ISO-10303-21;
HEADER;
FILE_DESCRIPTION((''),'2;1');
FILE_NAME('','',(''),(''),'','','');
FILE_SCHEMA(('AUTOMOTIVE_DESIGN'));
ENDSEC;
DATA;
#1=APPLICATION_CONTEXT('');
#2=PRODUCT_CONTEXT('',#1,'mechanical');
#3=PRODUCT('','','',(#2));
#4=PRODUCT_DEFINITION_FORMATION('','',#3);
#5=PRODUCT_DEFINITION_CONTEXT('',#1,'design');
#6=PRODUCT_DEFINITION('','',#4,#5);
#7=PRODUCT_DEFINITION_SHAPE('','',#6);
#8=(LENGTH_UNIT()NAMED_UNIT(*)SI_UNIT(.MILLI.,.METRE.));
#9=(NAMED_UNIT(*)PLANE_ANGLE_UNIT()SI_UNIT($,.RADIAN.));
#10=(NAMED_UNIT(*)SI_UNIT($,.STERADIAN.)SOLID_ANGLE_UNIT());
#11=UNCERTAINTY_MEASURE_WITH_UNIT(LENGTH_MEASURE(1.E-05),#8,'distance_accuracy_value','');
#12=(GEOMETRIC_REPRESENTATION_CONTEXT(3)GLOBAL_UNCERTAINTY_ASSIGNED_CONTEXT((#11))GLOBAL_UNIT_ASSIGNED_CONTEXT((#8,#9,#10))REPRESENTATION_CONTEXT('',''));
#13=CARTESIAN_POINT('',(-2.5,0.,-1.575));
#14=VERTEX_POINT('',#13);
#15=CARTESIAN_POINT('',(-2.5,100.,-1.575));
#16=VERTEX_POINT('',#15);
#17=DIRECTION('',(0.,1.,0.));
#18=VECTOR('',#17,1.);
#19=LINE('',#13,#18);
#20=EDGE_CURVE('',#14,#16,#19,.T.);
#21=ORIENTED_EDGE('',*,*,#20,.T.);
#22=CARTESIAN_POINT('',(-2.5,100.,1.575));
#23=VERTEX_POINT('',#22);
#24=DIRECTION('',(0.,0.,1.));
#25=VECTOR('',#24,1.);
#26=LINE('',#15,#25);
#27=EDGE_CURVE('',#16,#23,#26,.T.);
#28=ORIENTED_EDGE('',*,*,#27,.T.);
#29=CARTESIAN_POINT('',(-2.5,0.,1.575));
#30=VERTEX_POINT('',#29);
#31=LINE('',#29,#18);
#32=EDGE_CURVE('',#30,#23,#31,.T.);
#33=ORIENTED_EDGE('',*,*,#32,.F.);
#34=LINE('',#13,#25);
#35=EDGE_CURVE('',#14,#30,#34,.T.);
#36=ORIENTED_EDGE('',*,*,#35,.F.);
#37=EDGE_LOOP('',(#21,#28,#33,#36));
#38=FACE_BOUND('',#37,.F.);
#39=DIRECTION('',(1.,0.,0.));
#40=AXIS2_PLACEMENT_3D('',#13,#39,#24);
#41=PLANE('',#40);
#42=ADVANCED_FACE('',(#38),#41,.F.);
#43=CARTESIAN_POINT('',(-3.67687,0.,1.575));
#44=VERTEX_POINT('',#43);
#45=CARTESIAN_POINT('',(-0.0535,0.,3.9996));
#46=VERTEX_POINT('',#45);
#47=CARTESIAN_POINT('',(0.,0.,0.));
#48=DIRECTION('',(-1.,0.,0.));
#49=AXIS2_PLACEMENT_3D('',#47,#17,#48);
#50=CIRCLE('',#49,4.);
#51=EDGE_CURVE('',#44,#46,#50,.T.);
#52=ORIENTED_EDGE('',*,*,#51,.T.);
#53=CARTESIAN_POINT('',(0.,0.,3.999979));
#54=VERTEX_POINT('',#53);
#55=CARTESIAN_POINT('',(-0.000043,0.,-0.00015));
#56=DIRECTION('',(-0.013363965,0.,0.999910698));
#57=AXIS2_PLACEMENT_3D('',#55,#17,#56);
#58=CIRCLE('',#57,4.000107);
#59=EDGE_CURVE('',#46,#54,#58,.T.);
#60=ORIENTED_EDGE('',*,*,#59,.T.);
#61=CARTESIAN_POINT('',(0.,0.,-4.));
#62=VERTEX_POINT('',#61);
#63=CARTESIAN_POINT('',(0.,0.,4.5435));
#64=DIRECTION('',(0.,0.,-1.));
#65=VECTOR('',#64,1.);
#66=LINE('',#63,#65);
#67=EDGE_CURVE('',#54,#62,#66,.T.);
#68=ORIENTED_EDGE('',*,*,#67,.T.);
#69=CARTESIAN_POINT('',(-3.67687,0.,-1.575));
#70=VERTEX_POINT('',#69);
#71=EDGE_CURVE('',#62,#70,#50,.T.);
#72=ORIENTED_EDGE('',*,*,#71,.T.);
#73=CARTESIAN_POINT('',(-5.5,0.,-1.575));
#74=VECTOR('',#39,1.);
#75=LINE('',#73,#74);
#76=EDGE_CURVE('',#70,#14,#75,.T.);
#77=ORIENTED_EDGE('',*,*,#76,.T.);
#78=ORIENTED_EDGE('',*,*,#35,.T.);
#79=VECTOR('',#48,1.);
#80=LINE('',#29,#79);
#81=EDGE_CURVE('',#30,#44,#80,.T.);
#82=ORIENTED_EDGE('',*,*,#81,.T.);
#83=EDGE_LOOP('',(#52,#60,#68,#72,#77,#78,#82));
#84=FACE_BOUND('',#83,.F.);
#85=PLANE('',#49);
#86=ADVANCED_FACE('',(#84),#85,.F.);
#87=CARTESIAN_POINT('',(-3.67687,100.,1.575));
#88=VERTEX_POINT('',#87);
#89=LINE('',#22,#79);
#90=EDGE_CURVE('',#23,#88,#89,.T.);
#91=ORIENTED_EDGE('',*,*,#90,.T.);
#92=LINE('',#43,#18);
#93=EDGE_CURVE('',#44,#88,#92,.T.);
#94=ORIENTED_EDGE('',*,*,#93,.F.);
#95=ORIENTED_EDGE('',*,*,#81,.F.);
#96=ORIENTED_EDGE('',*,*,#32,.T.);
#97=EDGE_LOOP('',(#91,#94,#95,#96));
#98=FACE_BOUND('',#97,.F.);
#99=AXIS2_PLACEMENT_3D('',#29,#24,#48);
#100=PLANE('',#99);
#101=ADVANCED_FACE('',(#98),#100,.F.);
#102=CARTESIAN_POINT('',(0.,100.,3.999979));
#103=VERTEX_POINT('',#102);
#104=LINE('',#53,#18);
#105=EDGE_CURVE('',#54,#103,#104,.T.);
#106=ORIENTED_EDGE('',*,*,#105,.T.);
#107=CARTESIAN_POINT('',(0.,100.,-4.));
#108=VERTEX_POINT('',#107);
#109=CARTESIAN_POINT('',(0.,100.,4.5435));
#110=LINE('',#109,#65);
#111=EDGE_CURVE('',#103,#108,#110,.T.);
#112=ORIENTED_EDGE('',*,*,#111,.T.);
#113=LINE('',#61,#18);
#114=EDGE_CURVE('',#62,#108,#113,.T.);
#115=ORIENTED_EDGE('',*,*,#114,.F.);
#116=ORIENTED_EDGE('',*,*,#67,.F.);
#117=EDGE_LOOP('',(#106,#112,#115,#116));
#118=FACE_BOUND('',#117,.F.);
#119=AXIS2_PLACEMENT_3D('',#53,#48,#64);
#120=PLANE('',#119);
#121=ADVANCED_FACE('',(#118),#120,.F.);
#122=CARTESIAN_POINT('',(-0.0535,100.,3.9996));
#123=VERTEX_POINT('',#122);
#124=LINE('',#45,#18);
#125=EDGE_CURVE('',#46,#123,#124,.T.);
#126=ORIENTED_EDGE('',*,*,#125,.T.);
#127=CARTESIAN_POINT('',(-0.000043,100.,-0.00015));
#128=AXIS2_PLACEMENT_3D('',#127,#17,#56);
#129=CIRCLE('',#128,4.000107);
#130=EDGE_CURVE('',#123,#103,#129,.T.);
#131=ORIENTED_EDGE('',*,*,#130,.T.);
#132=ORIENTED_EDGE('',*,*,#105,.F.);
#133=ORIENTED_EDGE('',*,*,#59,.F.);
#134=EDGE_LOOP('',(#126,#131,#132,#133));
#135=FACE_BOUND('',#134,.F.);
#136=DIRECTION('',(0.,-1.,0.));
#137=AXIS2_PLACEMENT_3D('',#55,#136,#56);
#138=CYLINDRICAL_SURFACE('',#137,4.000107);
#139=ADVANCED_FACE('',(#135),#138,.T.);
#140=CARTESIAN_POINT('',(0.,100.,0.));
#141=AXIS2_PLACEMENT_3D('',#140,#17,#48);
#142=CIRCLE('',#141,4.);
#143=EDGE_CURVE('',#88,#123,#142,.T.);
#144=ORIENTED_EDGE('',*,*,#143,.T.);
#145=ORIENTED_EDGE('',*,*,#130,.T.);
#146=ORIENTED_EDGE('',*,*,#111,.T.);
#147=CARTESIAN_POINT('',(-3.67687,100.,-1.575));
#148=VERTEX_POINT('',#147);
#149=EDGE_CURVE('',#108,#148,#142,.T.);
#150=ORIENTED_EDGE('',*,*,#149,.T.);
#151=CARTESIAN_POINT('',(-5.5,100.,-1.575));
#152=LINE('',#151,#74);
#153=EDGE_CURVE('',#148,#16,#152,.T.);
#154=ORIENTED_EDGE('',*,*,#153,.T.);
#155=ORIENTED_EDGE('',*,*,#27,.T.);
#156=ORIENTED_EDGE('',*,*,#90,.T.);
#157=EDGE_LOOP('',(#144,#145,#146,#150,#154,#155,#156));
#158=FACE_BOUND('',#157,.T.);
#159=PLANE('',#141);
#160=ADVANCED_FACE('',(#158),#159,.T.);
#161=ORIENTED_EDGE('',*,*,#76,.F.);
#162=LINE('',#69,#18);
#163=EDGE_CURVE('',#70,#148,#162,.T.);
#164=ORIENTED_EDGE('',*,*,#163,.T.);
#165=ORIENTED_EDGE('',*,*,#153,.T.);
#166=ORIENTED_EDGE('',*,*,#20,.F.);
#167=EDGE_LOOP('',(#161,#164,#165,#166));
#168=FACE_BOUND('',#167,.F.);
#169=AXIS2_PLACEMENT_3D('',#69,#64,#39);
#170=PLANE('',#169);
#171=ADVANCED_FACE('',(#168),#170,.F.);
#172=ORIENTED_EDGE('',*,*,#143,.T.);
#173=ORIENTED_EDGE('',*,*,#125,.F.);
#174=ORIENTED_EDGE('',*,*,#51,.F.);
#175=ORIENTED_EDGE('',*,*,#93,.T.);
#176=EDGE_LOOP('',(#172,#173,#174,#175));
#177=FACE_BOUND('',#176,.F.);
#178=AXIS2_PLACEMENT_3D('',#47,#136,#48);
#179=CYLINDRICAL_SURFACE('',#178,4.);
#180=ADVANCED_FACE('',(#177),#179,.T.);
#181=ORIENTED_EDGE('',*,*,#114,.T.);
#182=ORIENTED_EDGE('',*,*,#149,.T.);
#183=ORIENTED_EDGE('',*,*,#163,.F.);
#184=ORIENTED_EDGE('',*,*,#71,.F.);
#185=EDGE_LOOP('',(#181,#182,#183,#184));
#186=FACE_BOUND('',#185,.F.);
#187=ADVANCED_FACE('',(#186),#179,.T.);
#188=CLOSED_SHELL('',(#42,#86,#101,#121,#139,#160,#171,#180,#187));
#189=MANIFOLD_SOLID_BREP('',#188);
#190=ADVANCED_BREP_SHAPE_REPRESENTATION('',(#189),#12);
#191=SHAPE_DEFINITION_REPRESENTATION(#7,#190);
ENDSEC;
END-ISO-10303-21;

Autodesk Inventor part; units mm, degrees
ref_plane "YZ Plane" through (0, 0, 0) normal (1, 0, 0) x (0, 1, 0)
ref_plane "XZ Plane" through (0, 0, 0) normal (0, 1, 0) x (-1, 0, 0)
ref_plane "XY Plane" through (0, 0, 0) normal (0, 0, 1) x (1, 0, 0)
sketch "Sketch1" plane through (0, 0, 0) normal (0, 1, 0) x (-1, 0, 0)
  arc A0 (-3.6976, -1.5257) -> (-0.0535, -3.9996) centre (0, 0) ccw
  arc A1 (0.0535, 3.9996) -> (-3.6555, 1.624) centre (0, 0) ccw
  circle A2 centre (0, 0) radius 4
  line L0 (2.5, 1.575) -> (5.5, 1.575)
  line L1 (5.5, 1.575) -> (5.5, -1.575)
  line L2 (5.5, -1.575) -> (2.5, -1.575)
  line L3 (2.5, -1.575) -> (2.5, 1.575)
  line L4 (2.5, 1.575) -> (5.5, -1.575) construction
  line L5 (5.5, 1.575) -> (2.5, -1.575) construction
  line L6 (0, 4.5435) -> (0, -6)
  point P0 (4, 0)
  point P1 (3.6769, 1.575)
  point P2 (0.0535, 3.9996)
  point P3 (0, 4)
  point P4 (0, -4)
  point P5 (3.6769, -1.575)
  dimension "d0" = 3
  dimension "d1" = 3.15
extrude "Extrusion1" add sketch "Sketch1" along normal blind 100 contours L6 A1 A2 L0 L3 L2
properties part number "Very_long_axel"
